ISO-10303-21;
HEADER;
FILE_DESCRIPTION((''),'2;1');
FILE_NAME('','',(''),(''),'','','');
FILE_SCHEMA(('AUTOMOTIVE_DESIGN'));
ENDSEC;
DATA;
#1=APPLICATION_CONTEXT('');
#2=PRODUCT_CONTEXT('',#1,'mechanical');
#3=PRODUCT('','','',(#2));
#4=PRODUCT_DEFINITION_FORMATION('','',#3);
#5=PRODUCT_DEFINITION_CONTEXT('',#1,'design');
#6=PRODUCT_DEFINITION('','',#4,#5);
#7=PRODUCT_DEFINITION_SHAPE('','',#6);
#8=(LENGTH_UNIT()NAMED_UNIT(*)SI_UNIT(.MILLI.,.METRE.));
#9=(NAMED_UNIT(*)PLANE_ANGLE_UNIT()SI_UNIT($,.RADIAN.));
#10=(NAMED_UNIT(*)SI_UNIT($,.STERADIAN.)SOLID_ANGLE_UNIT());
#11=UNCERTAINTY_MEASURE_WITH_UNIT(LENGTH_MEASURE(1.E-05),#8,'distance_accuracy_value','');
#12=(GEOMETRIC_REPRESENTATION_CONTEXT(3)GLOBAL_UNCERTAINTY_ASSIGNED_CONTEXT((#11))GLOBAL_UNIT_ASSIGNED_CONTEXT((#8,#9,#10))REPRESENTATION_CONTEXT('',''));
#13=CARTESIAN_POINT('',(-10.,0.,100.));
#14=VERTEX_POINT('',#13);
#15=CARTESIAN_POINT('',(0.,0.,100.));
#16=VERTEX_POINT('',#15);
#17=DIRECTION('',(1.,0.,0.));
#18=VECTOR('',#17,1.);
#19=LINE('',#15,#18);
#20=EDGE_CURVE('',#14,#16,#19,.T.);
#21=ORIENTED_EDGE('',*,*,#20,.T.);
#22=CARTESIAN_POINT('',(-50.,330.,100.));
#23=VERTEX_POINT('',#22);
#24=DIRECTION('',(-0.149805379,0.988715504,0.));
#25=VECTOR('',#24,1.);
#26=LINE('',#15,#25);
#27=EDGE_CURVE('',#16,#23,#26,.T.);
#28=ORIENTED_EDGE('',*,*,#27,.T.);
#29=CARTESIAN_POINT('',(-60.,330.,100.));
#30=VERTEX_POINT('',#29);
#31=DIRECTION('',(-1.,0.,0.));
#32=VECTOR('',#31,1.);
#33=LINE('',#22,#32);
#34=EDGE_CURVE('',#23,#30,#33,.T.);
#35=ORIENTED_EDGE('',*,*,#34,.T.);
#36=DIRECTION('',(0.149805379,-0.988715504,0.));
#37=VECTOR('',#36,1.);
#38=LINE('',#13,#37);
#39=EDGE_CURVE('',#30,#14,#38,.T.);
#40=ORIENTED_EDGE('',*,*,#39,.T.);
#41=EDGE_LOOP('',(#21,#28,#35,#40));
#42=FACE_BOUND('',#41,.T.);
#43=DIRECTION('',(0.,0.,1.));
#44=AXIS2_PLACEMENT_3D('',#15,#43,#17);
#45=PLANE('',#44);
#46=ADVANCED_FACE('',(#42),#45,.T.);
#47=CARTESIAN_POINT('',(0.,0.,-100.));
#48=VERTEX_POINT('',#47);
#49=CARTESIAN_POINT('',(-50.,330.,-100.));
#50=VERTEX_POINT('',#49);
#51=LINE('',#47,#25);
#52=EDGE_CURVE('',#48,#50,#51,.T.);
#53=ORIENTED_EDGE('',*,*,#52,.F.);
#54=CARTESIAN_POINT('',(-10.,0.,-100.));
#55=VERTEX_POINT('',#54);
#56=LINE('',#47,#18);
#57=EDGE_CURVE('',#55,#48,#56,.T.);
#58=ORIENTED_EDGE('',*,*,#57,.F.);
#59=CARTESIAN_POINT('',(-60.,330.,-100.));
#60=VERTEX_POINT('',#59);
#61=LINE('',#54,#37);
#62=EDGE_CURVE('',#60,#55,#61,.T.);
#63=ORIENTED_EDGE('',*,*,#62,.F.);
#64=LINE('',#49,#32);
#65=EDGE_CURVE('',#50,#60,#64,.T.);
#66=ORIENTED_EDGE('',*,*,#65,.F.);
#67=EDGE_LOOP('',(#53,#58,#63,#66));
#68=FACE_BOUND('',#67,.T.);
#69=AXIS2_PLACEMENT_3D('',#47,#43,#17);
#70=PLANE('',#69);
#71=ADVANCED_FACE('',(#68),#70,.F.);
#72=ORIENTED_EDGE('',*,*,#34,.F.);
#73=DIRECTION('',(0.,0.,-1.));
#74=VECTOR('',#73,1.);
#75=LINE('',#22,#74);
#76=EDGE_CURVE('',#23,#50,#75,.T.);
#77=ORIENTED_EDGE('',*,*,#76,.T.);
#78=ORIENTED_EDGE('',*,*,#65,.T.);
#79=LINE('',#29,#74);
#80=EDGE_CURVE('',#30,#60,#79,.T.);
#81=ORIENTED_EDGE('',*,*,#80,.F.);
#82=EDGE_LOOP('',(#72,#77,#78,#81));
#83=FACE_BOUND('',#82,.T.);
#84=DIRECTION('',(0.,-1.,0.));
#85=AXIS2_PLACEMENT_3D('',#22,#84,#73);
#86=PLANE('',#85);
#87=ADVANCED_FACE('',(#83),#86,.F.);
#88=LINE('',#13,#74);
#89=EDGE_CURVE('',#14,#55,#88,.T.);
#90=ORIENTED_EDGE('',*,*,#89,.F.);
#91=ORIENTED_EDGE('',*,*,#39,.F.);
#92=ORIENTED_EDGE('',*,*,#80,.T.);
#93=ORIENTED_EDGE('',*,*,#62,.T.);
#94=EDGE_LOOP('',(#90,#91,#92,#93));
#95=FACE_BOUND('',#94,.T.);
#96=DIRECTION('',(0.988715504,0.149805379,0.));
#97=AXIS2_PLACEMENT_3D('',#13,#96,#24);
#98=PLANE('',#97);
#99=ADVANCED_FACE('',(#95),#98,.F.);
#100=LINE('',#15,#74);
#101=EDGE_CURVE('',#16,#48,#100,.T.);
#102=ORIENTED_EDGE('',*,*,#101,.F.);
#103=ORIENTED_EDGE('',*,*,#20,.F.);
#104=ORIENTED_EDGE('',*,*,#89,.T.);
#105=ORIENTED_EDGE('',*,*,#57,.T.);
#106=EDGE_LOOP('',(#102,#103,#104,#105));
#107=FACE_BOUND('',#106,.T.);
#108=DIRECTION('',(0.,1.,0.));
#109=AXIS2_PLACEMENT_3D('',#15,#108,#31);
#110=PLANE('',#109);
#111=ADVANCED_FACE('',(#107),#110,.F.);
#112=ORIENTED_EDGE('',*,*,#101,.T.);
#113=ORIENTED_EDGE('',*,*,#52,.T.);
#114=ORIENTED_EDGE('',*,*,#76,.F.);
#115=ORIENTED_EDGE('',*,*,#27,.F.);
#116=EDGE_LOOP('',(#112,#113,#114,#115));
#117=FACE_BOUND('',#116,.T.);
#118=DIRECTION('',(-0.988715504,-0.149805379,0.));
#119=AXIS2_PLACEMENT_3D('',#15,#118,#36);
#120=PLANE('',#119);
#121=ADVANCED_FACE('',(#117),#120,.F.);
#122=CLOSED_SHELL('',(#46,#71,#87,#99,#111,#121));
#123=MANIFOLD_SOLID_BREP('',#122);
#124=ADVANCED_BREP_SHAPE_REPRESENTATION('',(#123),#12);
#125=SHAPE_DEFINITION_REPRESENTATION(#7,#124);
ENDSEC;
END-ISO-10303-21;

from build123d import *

# Parameters (mm, degrees)
SALIENTE_EXTRUIR1_DEPTH = 100


with BuildPart() as part:
    # Croquis1 → Saliente-Extruir1 (new, symmetric)
    with BuildSketch(Plane.XY):
        Polygon((0, 0), (-10, 0), (-60, 330), (-50, 330), align=None)
    extrude(amount=SALIENTE_EXTRUIR1_DEPTH, both=True)


solid = part.part
